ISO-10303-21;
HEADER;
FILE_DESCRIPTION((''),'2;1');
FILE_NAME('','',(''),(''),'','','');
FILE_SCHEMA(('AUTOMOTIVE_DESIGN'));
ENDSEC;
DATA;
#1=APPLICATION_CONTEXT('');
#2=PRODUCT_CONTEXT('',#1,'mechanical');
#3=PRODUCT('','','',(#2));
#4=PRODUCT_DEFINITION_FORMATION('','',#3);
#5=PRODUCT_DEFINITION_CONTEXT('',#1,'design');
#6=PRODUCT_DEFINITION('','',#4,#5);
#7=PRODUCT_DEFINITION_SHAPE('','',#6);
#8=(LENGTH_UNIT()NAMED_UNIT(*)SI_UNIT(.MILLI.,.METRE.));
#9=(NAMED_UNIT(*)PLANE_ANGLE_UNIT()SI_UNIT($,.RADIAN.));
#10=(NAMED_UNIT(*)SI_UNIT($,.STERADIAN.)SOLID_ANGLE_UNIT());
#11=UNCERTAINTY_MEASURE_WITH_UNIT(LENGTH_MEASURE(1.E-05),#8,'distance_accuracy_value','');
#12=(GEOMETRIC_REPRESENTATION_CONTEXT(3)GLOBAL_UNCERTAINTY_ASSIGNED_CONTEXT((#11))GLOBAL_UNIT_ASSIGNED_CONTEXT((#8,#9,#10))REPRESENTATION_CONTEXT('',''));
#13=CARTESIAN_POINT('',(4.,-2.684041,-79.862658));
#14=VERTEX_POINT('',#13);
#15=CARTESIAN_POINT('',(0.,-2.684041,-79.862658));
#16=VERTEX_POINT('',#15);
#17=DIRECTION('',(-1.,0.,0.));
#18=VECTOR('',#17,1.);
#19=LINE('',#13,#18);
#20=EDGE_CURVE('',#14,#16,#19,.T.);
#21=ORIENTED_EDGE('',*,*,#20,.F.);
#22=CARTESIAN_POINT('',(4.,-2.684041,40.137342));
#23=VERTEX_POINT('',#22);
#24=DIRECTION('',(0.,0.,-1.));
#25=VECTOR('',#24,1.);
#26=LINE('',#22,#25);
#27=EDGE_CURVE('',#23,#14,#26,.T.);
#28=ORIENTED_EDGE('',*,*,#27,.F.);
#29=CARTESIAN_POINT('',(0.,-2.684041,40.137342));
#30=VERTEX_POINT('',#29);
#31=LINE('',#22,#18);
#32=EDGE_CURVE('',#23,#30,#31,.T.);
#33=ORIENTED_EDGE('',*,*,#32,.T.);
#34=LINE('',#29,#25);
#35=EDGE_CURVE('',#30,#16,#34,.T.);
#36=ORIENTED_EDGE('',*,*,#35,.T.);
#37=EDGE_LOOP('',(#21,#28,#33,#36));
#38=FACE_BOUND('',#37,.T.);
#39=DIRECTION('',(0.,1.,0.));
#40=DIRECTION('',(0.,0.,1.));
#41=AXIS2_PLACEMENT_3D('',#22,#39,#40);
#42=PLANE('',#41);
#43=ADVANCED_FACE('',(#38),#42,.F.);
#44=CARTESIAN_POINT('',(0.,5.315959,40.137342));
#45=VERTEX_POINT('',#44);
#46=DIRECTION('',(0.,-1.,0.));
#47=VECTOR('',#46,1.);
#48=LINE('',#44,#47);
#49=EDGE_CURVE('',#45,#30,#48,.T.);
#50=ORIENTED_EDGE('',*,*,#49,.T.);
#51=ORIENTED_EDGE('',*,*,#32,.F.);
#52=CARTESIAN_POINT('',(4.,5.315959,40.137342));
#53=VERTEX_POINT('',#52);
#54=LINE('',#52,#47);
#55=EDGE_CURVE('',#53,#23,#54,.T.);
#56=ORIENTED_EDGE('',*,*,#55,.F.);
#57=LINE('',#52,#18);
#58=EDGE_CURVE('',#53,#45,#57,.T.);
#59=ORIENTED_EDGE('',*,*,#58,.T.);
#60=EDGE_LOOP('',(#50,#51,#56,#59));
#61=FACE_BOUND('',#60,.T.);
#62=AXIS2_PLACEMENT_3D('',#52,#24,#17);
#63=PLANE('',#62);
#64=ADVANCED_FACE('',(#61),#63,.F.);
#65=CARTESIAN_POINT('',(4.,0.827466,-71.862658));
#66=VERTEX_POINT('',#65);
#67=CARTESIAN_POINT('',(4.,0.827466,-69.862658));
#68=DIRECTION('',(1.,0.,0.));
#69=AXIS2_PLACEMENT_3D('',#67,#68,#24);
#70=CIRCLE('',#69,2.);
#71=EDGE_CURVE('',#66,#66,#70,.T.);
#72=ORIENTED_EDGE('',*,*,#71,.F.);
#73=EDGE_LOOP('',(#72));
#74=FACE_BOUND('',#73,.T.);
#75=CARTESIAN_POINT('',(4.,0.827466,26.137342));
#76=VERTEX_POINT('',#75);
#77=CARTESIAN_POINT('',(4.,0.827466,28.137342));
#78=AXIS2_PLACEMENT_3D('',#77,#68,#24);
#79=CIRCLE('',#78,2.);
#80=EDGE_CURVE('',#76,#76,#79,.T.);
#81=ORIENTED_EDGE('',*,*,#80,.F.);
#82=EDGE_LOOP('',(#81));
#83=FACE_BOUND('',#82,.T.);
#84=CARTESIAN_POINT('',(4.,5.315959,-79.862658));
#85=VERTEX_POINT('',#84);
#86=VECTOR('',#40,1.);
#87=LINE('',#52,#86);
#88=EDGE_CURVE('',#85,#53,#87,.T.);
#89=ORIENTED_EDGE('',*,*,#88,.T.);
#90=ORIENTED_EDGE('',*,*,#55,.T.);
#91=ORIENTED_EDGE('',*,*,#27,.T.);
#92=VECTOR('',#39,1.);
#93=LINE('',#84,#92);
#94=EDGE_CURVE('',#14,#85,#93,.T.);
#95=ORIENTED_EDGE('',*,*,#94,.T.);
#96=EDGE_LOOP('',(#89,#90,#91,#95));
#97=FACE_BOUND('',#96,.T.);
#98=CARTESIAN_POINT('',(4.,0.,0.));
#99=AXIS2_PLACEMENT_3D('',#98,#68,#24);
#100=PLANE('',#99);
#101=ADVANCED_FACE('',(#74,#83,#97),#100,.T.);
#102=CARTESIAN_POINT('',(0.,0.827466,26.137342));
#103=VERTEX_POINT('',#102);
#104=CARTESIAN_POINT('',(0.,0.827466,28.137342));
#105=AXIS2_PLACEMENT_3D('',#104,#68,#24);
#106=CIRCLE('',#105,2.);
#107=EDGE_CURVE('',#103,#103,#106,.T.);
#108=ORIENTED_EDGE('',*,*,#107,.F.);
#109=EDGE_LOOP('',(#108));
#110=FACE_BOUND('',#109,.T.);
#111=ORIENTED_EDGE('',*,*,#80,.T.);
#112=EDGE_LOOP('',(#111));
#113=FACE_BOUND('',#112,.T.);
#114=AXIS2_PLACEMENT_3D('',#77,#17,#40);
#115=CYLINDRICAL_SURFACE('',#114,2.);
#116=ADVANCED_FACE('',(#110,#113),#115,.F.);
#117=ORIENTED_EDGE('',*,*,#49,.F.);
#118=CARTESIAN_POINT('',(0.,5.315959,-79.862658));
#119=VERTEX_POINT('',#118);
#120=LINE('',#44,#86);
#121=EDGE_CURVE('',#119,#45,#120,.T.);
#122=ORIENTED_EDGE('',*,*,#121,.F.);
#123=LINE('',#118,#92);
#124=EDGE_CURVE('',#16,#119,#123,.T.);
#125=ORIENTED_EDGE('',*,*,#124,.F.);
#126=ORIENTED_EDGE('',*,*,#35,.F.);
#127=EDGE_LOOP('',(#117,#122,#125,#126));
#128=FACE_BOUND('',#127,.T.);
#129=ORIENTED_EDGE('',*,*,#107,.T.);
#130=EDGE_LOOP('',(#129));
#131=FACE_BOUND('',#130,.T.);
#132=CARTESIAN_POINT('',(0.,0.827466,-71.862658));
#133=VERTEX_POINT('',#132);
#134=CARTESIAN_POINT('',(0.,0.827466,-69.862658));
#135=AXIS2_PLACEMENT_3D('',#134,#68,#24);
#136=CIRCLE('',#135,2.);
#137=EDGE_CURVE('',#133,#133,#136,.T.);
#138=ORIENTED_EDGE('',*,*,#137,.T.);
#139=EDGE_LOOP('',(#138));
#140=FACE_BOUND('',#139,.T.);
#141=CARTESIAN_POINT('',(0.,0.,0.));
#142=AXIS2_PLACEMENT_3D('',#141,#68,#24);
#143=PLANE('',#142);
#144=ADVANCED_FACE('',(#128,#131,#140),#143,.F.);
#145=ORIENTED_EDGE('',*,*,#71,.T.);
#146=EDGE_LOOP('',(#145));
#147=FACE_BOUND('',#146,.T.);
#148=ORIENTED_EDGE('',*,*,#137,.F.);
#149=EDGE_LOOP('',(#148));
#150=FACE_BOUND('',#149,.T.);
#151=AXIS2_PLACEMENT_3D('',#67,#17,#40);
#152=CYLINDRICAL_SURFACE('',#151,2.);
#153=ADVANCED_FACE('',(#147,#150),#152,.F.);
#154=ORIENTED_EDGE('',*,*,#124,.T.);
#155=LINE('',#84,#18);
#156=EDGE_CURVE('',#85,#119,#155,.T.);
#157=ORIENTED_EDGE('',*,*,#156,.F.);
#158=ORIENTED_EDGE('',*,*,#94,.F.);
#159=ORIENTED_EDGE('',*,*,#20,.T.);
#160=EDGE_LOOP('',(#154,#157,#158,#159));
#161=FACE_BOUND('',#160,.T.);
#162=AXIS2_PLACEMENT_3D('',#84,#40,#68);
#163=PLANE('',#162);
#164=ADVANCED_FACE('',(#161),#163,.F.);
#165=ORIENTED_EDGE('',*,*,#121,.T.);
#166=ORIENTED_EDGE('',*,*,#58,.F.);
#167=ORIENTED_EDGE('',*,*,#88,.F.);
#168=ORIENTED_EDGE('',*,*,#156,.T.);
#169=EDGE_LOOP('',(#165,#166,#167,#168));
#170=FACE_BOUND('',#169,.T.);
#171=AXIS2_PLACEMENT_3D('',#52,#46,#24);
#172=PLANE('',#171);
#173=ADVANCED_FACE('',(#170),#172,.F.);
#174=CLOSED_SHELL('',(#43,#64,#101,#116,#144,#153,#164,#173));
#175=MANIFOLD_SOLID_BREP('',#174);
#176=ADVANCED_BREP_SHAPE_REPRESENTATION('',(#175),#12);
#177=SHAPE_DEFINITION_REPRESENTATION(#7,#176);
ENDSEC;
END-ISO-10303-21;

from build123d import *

# Parameters (mm, degrees)
SKETCH1_W           = 120
SKETCH1_H           = 8
SKETCH1_R           = 2
BOSS_EXTRUDE1_DEPTH = 4


with BuildPart() as part:
    # Sketch1 → Boss-Extrude1 (new body)
    with BuildSketch(Plane(origin=(0, 0, 0), x_dir=(0, 0, -1), z_dir=(1, 0, 0))):
        with Locations((19.862658316, 1.315958677)):
            Rectangle(SKETCH1_W, SKETCH1_H)
        with Locations((-28.137341684, 0.827466255)):
            Circle(SKETCH1_R, mode=Mode.SUBTRACT)
        with Locations((69.862658316, 0.827466255)):
            Circle(SKETCH1_R, mode=Mode.SUBTRACT)
    extrude(amount=BOSS_EXTRUDE1_DEPTH)


solid = part.part
